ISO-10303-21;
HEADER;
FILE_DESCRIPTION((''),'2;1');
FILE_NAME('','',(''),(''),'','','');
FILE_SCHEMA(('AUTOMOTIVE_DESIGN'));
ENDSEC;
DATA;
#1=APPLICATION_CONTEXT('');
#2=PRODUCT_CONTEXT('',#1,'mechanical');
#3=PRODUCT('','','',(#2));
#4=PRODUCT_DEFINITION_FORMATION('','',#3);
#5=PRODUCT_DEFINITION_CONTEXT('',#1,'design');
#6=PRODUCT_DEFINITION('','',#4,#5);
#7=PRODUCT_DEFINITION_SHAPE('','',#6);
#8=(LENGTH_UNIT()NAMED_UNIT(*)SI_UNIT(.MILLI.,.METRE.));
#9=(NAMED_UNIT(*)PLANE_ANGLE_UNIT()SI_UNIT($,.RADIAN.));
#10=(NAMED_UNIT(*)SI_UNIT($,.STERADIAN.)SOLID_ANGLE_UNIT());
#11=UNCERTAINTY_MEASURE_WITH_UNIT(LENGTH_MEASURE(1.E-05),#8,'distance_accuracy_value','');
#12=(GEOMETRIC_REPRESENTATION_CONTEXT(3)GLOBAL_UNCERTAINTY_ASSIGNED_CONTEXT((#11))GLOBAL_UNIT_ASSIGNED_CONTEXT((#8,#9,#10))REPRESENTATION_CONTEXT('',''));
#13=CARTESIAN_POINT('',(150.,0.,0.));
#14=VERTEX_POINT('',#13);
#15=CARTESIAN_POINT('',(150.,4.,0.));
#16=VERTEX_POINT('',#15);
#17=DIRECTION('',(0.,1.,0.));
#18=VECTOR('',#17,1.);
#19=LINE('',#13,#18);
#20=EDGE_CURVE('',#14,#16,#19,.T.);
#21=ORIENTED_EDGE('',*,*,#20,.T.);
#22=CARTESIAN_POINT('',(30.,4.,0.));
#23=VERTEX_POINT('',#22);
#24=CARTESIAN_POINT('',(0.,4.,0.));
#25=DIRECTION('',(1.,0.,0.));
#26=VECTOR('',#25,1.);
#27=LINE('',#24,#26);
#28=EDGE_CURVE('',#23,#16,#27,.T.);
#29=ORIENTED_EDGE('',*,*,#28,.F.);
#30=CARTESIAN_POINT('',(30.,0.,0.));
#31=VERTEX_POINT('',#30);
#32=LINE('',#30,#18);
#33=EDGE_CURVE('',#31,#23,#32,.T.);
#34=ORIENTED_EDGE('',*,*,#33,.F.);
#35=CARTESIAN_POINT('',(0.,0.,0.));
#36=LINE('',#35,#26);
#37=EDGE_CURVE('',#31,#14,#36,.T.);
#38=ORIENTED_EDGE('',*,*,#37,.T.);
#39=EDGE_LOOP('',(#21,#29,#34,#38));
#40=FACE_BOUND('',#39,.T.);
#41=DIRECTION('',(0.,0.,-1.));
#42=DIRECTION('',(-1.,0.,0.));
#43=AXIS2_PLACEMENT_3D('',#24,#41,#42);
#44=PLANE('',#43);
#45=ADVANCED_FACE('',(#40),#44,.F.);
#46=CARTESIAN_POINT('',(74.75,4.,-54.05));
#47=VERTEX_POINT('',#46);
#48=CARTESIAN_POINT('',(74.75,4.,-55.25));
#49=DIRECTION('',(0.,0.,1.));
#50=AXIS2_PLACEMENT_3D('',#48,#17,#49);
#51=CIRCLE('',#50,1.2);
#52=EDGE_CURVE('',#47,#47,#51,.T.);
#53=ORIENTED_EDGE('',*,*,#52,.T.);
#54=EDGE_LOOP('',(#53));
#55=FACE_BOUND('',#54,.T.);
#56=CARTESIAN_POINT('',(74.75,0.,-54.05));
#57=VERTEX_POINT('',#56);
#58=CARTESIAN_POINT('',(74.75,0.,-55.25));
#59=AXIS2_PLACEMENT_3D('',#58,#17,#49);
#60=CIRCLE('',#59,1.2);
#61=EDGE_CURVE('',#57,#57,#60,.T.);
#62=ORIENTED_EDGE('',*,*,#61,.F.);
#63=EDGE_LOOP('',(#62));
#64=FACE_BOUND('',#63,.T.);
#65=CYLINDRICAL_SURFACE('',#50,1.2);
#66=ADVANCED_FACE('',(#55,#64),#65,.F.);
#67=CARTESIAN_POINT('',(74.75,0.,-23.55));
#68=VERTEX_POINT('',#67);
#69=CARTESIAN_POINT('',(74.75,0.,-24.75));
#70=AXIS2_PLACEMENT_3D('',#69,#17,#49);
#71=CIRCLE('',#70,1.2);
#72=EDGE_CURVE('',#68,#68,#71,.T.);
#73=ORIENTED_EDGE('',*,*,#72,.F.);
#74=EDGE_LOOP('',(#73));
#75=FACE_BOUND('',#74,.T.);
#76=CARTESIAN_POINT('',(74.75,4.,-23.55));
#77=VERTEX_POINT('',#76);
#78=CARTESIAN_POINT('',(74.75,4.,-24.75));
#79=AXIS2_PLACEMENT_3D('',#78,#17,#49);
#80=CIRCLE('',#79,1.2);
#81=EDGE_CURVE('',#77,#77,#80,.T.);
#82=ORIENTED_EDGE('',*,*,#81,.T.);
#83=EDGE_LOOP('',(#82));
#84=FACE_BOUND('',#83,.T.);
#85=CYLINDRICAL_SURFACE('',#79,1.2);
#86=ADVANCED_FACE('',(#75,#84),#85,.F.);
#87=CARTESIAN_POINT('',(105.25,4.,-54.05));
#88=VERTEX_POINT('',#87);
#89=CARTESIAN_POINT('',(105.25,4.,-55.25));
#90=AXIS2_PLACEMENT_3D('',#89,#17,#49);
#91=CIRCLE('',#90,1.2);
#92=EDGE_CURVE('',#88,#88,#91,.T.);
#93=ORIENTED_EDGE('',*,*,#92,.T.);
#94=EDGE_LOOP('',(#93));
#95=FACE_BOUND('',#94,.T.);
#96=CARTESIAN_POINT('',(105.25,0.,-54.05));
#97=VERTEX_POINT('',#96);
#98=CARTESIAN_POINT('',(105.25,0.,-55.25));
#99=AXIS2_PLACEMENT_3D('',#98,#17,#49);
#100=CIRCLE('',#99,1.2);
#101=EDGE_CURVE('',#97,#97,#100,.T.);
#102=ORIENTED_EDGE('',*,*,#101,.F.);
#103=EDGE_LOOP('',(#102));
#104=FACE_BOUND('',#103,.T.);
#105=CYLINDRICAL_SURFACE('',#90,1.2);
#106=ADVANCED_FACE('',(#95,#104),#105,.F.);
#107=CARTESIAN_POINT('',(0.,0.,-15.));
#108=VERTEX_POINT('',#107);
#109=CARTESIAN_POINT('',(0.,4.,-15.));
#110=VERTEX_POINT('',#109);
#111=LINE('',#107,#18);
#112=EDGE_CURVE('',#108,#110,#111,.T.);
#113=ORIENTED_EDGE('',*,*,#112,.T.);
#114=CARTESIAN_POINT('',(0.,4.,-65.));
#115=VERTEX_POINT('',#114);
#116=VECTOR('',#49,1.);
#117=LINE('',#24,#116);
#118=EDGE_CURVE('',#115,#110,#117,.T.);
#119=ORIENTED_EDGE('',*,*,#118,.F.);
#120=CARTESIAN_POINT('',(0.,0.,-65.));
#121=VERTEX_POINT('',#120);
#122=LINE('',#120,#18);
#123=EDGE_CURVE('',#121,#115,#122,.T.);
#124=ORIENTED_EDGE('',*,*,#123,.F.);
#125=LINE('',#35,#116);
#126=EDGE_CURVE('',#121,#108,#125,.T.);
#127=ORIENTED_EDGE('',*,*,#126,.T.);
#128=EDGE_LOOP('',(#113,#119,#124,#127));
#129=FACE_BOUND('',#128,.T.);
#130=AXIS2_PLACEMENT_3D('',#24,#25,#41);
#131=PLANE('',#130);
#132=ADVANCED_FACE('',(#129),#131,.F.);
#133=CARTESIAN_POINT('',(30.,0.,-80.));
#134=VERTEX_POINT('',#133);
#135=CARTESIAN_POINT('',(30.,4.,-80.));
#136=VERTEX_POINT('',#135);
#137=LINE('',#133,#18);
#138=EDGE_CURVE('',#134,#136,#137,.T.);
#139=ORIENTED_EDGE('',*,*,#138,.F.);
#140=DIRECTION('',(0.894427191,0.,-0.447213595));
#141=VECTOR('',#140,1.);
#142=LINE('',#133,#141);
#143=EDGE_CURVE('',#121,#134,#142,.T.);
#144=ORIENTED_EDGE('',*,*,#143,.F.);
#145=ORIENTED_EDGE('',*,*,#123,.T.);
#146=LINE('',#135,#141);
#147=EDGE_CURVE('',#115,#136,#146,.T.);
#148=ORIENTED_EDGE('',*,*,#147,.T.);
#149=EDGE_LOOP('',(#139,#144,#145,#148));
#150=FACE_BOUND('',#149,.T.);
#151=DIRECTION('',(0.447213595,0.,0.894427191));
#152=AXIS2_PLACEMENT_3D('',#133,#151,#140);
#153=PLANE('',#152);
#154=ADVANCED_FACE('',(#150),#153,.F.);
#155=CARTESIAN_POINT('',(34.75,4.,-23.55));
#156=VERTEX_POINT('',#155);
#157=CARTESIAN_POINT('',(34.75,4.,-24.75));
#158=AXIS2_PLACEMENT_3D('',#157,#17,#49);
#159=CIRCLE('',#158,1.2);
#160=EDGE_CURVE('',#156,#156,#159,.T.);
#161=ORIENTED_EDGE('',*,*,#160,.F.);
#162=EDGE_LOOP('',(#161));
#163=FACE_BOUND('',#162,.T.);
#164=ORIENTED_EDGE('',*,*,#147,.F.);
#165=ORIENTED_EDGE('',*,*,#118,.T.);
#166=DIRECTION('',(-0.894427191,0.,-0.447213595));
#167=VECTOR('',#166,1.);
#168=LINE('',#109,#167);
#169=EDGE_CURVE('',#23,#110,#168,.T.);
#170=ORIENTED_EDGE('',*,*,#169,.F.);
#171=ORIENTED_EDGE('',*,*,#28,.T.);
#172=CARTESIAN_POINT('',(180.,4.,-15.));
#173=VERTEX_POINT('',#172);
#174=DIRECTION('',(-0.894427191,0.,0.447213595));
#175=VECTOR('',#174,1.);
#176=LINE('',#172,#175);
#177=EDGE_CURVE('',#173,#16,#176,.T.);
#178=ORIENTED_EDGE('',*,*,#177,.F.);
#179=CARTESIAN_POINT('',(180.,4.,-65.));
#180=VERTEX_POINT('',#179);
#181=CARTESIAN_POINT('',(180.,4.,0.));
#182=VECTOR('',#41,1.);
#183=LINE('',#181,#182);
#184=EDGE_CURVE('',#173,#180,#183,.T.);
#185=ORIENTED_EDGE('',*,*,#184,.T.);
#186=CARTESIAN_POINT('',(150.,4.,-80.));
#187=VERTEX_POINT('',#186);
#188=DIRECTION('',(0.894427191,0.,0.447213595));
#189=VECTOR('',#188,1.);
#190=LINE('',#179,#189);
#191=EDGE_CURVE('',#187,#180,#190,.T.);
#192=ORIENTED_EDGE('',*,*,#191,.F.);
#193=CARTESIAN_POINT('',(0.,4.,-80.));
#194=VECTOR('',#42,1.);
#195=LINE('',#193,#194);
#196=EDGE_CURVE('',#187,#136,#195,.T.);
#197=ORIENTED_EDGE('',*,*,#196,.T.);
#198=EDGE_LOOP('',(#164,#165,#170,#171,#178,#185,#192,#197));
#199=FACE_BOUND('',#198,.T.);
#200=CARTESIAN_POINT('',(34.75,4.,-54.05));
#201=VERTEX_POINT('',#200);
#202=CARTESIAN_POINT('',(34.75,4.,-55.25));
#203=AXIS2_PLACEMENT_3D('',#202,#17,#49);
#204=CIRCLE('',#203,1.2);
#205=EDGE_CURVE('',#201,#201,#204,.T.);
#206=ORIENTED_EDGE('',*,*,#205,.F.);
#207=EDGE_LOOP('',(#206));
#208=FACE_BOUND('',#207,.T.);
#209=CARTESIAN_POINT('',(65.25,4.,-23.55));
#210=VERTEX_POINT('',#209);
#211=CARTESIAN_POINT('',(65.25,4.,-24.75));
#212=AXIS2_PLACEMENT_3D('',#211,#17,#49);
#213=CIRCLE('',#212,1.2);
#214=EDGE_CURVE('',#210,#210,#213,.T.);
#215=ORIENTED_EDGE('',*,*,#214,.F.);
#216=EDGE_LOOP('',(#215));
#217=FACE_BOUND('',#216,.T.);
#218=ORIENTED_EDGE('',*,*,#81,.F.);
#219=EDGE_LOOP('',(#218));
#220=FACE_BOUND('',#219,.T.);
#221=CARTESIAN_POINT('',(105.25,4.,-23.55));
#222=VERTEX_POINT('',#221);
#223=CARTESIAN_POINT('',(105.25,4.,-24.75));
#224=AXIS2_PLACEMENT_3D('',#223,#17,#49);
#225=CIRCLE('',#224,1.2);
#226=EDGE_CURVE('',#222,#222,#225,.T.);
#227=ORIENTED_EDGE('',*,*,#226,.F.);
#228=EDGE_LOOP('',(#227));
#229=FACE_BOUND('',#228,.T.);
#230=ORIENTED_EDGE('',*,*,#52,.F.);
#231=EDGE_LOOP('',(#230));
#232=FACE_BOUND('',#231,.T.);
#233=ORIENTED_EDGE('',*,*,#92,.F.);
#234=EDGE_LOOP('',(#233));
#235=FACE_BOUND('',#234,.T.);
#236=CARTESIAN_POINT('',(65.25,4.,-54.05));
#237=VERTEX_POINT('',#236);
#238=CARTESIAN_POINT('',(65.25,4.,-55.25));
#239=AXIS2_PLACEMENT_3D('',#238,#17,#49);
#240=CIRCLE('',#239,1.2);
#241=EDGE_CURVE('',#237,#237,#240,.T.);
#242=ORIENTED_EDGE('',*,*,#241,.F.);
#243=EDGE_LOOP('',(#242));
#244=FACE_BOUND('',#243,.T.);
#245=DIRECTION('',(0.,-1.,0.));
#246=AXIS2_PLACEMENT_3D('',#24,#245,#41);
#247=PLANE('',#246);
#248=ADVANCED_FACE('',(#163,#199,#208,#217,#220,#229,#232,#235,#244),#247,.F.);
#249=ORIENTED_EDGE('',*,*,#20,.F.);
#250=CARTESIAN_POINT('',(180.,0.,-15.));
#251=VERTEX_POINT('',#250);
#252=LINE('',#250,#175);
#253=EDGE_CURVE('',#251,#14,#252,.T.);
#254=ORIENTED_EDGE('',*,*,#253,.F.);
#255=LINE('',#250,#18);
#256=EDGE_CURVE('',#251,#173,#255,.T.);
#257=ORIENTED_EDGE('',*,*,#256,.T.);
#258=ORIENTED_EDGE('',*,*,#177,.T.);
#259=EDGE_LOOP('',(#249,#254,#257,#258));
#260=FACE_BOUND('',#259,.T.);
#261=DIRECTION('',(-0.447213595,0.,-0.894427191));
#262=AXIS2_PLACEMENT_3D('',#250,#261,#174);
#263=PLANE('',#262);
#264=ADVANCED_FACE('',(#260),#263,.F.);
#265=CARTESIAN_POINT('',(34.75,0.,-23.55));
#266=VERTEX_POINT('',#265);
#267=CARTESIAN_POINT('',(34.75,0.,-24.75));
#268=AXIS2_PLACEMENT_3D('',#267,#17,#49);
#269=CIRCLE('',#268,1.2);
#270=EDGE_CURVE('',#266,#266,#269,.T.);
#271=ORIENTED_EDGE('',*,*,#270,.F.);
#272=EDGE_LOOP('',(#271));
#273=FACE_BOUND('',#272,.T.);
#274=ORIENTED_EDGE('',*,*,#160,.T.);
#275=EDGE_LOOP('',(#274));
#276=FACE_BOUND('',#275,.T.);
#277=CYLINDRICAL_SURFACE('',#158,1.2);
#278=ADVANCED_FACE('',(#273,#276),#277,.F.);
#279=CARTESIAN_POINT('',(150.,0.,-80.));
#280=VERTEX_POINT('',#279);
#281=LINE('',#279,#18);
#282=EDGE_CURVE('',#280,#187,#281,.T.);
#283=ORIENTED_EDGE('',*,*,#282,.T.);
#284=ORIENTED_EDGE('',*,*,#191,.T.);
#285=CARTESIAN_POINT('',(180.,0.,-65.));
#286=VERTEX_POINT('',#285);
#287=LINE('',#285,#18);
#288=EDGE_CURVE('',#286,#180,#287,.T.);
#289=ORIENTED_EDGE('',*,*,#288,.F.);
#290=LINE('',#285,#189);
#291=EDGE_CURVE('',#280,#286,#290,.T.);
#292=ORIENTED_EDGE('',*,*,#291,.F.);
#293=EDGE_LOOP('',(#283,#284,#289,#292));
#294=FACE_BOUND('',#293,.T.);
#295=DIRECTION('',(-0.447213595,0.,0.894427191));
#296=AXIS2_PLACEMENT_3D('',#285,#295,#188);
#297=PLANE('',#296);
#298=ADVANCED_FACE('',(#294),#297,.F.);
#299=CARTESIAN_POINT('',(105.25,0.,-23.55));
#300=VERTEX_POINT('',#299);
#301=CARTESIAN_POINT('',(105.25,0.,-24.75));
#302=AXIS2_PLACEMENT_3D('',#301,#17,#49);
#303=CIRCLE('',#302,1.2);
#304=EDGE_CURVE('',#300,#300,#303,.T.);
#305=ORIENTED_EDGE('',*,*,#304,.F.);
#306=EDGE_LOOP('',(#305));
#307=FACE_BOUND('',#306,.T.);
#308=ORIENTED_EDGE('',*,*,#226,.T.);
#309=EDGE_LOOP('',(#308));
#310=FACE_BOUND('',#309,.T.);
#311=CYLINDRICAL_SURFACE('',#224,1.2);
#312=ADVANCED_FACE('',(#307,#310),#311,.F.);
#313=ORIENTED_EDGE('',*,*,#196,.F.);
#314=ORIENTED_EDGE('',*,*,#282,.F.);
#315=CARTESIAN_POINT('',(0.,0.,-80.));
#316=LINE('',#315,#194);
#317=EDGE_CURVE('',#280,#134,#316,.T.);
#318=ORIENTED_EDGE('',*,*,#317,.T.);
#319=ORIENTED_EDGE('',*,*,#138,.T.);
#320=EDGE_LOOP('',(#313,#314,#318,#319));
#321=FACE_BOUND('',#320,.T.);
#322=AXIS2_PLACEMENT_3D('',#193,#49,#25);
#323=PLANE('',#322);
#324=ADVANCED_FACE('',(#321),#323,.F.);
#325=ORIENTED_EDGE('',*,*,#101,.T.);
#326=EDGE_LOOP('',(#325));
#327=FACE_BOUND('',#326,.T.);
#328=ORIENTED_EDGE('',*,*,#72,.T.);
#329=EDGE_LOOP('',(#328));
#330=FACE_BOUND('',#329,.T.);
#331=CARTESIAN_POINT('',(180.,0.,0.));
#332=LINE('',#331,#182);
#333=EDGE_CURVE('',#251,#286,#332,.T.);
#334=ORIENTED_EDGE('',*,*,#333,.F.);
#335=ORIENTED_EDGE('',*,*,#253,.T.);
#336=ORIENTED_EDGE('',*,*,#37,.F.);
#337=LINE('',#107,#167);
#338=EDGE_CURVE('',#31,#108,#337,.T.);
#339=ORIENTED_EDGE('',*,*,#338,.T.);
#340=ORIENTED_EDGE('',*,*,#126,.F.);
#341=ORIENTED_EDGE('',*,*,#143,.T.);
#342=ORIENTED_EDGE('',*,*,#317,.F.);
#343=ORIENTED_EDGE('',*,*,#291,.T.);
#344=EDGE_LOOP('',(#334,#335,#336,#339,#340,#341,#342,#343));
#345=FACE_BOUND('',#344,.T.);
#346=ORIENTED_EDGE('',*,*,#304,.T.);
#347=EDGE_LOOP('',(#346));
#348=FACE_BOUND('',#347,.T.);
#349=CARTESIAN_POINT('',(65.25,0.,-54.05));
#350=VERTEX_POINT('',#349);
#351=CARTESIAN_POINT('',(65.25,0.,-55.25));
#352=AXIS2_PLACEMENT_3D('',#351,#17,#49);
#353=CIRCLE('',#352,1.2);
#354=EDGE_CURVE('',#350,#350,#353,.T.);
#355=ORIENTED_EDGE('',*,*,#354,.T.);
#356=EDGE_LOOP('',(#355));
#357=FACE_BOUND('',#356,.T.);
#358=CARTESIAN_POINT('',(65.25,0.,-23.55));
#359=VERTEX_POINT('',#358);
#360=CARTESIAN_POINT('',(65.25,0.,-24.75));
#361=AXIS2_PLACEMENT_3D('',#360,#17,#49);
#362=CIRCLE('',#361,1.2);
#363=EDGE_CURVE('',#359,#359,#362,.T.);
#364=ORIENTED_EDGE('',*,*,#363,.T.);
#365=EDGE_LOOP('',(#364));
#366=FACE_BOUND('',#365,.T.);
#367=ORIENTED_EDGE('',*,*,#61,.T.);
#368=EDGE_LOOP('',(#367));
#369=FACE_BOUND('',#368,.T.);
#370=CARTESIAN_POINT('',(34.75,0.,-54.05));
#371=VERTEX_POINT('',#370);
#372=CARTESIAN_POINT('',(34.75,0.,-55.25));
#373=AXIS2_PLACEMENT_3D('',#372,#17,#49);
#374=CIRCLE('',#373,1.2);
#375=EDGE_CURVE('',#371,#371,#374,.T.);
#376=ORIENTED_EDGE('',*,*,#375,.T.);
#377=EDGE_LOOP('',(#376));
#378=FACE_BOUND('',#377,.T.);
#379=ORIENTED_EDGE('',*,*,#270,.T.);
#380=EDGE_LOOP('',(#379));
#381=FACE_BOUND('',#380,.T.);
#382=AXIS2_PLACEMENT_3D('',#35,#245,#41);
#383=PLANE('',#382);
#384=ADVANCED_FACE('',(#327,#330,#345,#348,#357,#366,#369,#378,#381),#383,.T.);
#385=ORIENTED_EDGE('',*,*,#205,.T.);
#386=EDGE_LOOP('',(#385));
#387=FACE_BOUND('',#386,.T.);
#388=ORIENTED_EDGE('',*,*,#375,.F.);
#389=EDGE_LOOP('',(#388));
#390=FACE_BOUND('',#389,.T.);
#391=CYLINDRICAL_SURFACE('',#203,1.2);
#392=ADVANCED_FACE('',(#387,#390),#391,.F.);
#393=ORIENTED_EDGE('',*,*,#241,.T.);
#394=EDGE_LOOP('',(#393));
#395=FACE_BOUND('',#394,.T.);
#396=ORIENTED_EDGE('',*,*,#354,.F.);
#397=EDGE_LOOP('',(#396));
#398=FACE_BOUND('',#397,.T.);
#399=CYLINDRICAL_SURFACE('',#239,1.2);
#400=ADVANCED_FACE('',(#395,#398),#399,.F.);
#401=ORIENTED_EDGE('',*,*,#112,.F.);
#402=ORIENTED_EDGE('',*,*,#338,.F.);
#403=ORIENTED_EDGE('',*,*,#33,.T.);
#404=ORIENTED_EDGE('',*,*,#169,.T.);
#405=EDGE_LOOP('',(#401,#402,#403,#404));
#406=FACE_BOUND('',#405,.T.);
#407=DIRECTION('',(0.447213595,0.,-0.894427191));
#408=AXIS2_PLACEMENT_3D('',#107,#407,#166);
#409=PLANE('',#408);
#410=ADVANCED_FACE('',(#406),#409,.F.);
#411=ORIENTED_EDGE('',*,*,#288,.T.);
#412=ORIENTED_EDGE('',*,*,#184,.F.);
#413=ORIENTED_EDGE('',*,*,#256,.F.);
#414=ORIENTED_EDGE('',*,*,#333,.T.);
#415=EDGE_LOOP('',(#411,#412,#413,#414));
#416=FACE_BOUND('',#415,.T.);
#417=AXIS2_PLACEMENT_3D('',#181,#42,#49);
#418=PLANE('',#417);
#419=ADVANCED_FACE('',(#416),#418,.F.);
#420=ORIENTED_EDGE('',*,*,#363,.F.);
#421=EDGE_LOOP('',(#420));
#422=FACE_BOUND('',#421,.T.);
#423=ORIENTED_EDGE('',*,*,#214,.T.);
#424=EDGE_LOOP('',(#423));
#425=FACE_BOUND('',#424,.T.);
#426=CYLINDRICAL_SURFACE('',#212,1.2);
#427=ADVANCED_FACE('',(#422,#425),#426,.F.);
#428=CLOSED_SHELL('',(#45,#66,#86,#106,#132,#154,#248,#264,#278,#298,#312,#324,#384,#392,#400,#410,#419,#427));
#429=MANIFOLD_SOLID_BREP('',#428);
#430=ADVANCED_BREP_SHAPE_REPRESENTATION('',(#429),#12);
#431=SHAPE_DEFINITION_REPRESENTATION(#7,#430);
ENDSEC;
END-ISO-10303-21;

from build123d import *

# Parameters (mm, degrees)
ESQUISSE1_W             = 180
ESQUISSE1_H             = 80
BOSS_EXTRU_1_DEPTH      = 4
ENL_V_MAT_EXTRU_1_DEPTH = 4
D_GAGEMENT_M22_D        = 2.4
D_GAGEMENT_M23_D        = 2.4


with BuildPart() as part:
    # Esquisse1 → Boss.-Extru.1 (new body)
    with BuildSketch(Plane(origin=(0, 0, 0), x_dir=(1, 0, 0), z_dir=(0, 1, 0))):
        with Locations((90, 40)):
            Rectangle(ESQUISSE1_W, ESQUISSE1_H)
    extrude(amount=BOSS_EXTRU_1_DEPTH)

    # Esquisse2 → Enlèv. mat.-Extru.1 (cut)
    with BuildSketch(Plane(origin=(0, 4, 0), x_dir=(1, 0, 0), z_dir=(0, 1, 0))):
        Polygon((0, 15), (30, 0), (0, 0), align=None)
        Polygon((30, 80), (0, 65), (0, 80), align=None)
        Polygon((150, 80), (180, 80), (180, 65), align=None)
        Polygon((180, 15), (150, 0), (180, 0), align=None)
    extrude(amount=-ENL_V_MAT_EXTRU_1_DEPTH, mode=Mode.SUBTRACT)

    # Dégagement M22 (through all)
    with Locations(Plane(origin=(0, 4, 0), x_dir=(1, 0, 0), z_dir=(0, 1, 0))):
        with Locations((74.75, 55.25), (105.25, 55.25), (105.25, 24.75), (74.75, 24.75)):
            Hole(D_GAGEMENT_M22_D / 2)

    # Dégagement M23 (through all)
    with Locations(Plane(origin=(0, 4, 0), x_dir=(1, 0, 0), z_dir=(0, 1, 0))):
        with Locations((34.75, 24.75), (65.25, 24.75), (65.25, 55.25), (34.75, 55.25)):
            Hole(D_GAGEMENT_M23_D / 2)


solid = part.part
